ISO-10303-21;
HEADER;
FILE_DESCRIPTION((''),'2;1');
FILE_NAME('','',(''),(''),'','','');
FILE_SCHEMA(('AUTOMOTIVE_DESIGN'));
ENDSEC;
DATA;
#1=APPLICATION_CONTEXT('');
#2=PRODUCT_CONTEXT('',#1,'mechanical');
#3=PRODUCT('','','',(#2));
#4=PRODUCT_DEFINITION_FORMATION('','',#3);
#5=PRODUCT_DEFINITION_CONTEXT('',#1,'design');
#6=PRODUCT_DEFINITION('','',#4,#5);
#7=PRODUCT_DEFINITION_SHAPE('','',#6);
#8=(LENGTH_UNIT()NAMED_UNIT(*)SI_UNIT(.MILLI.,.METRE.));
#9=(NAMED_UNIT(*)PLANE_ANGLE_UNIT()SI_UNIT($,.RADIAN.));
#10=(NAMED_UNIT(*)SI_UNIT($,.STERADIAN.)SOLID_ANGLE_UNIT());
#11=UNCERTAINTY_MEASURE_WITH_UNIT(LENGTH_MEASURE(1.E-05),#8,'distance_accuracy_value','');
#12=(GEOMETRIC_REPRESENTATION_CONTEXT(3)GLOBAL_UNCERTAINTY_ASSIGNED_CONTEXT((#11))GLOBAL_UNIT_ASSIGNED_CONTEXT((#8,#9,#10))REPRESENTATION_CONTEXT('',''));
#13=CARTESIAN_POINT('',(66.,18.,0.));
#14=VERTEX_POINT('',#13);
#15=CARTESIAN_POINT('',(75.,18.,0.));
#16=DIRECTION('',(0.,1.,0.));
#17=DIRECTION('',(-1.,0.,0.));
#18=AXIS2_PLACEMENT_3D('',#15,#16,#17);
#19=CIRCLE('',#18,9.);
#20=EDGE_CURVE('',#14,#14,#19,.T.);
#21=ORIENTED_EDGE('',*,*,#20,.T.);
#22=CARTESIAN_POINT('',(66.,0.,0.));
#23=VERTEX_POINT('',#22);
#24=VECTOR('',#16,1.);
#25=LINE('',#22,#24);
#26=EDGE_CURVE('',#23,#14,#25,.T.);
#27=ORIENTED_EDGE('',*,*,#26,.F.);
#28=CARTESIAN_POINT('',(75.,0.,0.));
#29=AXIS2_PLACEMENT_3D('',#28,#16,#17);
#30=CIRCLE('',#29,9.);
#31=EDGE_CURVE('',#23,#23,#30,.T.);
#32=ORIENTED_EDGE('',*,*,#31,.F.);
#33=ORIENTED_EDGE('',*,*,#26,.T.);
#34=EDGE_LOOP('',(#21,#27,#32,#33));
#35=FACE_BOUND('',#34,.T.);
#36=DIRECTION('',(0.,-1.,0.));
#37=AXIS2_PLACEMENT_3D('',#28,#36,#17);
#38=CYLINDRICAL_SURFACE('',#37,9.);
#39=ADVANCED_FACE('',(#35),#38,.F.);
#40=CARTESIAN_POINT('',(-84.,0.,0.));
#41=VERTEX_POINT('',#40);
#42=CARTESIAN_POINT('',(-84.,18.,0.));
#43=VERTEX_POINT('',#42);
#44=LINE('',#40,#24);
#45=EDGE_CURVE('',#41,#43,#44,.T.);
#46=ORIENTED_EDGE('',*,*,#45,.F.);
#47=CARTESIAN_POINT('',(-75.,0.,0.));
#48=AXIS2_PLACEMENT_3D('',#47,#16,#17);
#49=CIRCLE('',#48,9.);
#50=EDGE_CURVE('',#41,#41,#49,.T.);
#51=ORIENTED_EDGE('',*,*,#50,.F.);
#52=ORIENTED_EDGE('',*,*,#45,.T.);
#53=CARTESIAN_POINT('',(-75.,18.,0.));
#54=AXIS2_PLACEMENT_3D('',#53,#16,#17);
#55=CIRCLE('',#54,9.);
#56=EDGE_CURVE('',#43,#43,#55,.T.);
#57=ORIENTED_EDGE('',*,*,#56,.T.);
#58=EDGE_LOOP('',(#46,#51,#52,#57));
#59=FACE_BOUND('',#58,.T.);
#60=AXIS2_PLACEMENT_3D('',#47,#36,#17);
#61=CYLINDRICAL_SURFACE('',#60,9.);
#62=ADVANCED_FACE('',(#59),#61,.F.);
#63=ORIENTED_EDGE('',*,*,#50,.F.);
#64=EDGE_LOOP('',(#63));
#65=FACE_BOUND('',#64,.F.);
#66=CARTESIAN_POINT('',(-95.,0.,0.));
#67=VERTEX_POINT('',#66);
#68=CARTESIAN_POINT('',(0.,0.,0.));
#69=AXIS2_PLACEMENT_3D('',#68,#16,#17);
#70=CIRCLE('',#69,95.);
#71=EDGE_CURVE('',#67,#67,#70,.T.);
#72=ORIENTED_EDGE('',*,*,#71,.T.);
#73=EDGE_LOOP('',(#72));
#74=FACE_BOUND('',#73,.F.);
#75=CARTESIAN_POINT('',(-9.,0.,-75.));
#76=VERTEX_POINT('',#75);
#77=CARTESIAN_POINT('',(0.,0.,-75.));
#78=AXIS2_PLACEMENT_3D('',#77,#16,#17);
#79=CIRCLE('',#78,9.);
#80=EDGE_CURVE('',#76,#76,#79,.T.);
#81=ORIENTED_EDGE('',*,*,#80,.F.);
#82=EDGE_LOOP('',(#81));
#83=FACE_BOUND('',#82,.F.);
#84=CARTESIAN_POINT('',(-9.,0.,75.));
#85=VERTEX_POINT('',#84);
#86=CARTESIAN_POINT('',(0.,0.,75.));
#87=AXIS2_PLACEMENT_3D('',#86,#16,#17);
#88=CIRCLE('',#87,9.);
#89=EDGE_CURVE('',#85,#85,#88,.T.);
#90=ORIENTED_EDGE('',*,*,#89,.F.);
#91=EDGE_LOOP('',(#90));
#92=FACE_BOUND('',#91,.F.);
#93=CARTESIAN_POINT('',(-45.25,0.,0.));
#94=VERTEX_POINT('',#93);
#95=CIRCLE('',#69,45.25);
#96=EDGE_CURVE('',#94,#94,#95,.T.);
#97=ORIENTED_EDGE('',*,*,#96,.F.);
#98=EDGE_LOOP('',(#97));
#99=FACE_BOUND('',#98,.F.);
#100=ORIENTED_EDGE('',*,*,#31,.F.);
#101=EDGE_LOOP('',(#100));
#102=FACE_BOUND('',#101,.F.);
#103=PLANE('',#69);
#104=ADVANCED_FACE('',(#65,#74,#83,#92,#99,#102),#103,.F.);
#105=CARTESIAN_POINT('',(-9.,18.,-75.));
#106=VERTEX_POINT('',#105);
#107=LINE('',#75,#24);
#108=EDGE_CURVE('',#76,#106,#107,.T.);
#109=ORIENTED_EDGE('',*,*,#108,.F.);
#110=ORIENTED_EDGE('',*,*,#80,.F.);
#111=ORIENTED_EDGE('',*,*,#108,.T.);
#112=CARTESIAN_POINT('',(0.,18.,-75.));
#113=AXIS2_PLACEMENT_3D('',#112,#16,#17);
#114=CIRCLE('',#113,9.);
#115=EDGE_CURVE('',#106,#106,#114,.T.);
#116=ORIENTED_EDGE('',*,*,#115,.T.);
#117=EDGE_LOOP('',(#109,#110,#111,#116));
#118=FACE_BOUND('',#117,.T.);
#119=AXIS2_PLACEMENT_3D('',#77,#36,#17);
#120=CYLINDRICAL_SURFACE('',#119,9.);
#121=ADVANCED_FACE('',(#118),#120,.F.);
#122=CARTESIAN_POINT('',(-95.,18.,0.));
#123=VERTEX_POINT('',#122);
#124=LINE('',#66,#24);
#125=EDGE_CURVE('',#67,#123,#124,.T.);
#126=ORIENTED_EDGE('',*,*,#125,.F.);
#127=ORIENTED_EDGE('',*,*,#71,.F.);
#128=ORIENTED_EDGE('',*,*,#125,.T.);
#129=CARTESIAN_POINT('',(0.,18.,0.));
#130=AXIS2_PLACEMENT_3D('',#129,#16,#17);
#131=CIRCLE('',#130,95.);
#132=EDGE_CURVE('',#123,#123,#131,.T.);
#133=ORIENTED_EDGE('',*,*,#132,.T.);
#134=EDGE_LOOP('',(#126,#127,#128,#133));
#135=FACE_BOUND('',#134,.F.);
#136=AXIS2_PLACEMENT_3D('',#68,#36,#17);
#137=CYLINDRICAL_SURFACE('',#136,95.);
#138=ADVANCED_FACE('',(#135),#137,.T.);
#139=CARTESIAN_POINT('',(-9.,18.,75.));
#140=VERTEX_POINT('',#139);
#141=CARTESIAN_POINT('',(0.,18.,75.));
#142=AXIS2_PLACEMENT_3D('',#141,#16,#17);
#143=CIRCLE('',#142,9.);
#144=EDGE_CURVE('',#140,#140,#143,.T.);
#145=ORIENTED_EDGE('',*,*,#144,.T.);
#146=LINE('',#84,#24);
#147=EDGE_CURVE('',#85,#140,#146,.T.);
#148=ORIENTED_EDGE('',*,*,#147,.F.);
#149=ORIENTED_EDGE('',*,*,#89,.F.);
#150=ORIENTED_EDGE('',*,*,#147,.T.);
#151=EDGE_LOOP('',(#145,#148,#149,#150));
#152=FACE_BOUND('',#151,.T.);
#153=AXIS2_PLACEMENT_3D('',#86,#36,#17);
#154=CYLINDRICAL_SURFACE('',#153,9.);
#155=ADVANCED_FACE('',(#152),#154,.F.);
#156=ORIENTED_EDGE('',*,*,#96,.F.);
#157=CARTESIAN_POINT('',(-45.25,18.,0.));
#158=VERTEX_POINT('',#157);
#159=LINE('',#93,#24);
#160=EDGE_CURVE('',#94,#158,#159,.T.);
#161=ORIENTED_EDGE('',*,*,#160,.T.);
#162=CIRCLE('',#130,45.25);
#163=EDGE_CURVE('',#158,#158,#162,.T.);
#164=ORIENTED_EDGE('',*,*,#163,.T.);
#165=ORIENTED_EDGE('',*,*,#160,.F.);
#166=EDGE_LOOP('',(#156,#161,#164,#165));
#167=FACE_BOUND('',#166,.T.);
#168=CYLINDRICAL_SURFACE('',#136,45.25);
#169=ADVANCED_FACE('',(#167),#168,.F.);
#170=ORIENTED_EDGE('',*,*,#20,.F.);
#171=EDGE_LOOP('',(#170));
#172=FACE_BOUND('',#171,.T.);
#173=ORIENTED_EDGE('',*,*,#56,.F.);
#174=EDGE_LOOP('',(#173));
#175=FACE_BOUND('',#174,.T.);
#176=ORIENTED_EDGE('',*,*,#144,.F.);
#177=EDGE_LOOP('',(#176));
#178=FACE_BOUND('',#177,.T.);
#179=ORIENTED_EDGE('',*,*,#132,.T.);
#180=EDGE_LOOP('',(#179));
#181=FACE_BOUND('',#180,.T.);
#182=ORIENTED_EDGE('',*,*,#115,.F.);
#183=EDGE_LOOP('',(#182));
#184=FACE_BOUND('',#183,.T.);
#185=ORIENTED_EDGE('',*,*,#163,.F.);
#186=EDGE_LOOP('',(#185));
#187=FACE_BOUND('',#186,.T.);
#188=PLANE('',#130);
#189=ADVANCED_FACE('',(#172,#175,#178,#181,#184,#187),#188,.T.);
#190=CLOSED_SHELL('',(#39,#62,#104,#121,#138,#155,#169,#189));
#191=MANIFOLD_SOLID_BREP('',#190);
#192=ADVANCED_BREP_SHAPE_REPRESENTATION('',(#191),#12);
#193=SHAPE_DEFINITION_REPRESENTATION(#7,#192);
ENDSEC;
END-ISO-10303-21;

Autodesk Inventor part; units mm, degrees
ref_plane "YZ Plane" through (0, 0, 0) normal (1, 0, 0) x (0, 1, 0)
ref_plane "XZ Plane" through (0, 0, 0) normal (0, 1, 0) x (-1, 0, 0)
ref_plane "XY Plane" through (0, 0, 0) normal (0, 0, 1) x (1, 0, 0)
sketch "Schizzo1" plane through (0, 0, 0) normal (0, 1, 0) x (-1, 0, 0)
  circle A0 centre (0, 0) radius 95
  circle A1 centre (0, 0) radius 45.25
  circle A2 centre (0, 0) radius 75 construction
  circle A3 centre (0, 75) radius 9
  circle A4 centre (-75, 0) radius 9
  circle A5 centre (0, -75) radius 9
  circle A6 centre (75, 0) radius 9
  dimension "d2" = 150
  dimension "d0" = 190
  dimension "d1" = 90.5
  dimension "d3" = 18
  dimension "d6" = 360
extrude "Estrusione1" add sketch "Schizzo1" along normal blind 18
properties part number "06-01-2023 flangia DN80"
